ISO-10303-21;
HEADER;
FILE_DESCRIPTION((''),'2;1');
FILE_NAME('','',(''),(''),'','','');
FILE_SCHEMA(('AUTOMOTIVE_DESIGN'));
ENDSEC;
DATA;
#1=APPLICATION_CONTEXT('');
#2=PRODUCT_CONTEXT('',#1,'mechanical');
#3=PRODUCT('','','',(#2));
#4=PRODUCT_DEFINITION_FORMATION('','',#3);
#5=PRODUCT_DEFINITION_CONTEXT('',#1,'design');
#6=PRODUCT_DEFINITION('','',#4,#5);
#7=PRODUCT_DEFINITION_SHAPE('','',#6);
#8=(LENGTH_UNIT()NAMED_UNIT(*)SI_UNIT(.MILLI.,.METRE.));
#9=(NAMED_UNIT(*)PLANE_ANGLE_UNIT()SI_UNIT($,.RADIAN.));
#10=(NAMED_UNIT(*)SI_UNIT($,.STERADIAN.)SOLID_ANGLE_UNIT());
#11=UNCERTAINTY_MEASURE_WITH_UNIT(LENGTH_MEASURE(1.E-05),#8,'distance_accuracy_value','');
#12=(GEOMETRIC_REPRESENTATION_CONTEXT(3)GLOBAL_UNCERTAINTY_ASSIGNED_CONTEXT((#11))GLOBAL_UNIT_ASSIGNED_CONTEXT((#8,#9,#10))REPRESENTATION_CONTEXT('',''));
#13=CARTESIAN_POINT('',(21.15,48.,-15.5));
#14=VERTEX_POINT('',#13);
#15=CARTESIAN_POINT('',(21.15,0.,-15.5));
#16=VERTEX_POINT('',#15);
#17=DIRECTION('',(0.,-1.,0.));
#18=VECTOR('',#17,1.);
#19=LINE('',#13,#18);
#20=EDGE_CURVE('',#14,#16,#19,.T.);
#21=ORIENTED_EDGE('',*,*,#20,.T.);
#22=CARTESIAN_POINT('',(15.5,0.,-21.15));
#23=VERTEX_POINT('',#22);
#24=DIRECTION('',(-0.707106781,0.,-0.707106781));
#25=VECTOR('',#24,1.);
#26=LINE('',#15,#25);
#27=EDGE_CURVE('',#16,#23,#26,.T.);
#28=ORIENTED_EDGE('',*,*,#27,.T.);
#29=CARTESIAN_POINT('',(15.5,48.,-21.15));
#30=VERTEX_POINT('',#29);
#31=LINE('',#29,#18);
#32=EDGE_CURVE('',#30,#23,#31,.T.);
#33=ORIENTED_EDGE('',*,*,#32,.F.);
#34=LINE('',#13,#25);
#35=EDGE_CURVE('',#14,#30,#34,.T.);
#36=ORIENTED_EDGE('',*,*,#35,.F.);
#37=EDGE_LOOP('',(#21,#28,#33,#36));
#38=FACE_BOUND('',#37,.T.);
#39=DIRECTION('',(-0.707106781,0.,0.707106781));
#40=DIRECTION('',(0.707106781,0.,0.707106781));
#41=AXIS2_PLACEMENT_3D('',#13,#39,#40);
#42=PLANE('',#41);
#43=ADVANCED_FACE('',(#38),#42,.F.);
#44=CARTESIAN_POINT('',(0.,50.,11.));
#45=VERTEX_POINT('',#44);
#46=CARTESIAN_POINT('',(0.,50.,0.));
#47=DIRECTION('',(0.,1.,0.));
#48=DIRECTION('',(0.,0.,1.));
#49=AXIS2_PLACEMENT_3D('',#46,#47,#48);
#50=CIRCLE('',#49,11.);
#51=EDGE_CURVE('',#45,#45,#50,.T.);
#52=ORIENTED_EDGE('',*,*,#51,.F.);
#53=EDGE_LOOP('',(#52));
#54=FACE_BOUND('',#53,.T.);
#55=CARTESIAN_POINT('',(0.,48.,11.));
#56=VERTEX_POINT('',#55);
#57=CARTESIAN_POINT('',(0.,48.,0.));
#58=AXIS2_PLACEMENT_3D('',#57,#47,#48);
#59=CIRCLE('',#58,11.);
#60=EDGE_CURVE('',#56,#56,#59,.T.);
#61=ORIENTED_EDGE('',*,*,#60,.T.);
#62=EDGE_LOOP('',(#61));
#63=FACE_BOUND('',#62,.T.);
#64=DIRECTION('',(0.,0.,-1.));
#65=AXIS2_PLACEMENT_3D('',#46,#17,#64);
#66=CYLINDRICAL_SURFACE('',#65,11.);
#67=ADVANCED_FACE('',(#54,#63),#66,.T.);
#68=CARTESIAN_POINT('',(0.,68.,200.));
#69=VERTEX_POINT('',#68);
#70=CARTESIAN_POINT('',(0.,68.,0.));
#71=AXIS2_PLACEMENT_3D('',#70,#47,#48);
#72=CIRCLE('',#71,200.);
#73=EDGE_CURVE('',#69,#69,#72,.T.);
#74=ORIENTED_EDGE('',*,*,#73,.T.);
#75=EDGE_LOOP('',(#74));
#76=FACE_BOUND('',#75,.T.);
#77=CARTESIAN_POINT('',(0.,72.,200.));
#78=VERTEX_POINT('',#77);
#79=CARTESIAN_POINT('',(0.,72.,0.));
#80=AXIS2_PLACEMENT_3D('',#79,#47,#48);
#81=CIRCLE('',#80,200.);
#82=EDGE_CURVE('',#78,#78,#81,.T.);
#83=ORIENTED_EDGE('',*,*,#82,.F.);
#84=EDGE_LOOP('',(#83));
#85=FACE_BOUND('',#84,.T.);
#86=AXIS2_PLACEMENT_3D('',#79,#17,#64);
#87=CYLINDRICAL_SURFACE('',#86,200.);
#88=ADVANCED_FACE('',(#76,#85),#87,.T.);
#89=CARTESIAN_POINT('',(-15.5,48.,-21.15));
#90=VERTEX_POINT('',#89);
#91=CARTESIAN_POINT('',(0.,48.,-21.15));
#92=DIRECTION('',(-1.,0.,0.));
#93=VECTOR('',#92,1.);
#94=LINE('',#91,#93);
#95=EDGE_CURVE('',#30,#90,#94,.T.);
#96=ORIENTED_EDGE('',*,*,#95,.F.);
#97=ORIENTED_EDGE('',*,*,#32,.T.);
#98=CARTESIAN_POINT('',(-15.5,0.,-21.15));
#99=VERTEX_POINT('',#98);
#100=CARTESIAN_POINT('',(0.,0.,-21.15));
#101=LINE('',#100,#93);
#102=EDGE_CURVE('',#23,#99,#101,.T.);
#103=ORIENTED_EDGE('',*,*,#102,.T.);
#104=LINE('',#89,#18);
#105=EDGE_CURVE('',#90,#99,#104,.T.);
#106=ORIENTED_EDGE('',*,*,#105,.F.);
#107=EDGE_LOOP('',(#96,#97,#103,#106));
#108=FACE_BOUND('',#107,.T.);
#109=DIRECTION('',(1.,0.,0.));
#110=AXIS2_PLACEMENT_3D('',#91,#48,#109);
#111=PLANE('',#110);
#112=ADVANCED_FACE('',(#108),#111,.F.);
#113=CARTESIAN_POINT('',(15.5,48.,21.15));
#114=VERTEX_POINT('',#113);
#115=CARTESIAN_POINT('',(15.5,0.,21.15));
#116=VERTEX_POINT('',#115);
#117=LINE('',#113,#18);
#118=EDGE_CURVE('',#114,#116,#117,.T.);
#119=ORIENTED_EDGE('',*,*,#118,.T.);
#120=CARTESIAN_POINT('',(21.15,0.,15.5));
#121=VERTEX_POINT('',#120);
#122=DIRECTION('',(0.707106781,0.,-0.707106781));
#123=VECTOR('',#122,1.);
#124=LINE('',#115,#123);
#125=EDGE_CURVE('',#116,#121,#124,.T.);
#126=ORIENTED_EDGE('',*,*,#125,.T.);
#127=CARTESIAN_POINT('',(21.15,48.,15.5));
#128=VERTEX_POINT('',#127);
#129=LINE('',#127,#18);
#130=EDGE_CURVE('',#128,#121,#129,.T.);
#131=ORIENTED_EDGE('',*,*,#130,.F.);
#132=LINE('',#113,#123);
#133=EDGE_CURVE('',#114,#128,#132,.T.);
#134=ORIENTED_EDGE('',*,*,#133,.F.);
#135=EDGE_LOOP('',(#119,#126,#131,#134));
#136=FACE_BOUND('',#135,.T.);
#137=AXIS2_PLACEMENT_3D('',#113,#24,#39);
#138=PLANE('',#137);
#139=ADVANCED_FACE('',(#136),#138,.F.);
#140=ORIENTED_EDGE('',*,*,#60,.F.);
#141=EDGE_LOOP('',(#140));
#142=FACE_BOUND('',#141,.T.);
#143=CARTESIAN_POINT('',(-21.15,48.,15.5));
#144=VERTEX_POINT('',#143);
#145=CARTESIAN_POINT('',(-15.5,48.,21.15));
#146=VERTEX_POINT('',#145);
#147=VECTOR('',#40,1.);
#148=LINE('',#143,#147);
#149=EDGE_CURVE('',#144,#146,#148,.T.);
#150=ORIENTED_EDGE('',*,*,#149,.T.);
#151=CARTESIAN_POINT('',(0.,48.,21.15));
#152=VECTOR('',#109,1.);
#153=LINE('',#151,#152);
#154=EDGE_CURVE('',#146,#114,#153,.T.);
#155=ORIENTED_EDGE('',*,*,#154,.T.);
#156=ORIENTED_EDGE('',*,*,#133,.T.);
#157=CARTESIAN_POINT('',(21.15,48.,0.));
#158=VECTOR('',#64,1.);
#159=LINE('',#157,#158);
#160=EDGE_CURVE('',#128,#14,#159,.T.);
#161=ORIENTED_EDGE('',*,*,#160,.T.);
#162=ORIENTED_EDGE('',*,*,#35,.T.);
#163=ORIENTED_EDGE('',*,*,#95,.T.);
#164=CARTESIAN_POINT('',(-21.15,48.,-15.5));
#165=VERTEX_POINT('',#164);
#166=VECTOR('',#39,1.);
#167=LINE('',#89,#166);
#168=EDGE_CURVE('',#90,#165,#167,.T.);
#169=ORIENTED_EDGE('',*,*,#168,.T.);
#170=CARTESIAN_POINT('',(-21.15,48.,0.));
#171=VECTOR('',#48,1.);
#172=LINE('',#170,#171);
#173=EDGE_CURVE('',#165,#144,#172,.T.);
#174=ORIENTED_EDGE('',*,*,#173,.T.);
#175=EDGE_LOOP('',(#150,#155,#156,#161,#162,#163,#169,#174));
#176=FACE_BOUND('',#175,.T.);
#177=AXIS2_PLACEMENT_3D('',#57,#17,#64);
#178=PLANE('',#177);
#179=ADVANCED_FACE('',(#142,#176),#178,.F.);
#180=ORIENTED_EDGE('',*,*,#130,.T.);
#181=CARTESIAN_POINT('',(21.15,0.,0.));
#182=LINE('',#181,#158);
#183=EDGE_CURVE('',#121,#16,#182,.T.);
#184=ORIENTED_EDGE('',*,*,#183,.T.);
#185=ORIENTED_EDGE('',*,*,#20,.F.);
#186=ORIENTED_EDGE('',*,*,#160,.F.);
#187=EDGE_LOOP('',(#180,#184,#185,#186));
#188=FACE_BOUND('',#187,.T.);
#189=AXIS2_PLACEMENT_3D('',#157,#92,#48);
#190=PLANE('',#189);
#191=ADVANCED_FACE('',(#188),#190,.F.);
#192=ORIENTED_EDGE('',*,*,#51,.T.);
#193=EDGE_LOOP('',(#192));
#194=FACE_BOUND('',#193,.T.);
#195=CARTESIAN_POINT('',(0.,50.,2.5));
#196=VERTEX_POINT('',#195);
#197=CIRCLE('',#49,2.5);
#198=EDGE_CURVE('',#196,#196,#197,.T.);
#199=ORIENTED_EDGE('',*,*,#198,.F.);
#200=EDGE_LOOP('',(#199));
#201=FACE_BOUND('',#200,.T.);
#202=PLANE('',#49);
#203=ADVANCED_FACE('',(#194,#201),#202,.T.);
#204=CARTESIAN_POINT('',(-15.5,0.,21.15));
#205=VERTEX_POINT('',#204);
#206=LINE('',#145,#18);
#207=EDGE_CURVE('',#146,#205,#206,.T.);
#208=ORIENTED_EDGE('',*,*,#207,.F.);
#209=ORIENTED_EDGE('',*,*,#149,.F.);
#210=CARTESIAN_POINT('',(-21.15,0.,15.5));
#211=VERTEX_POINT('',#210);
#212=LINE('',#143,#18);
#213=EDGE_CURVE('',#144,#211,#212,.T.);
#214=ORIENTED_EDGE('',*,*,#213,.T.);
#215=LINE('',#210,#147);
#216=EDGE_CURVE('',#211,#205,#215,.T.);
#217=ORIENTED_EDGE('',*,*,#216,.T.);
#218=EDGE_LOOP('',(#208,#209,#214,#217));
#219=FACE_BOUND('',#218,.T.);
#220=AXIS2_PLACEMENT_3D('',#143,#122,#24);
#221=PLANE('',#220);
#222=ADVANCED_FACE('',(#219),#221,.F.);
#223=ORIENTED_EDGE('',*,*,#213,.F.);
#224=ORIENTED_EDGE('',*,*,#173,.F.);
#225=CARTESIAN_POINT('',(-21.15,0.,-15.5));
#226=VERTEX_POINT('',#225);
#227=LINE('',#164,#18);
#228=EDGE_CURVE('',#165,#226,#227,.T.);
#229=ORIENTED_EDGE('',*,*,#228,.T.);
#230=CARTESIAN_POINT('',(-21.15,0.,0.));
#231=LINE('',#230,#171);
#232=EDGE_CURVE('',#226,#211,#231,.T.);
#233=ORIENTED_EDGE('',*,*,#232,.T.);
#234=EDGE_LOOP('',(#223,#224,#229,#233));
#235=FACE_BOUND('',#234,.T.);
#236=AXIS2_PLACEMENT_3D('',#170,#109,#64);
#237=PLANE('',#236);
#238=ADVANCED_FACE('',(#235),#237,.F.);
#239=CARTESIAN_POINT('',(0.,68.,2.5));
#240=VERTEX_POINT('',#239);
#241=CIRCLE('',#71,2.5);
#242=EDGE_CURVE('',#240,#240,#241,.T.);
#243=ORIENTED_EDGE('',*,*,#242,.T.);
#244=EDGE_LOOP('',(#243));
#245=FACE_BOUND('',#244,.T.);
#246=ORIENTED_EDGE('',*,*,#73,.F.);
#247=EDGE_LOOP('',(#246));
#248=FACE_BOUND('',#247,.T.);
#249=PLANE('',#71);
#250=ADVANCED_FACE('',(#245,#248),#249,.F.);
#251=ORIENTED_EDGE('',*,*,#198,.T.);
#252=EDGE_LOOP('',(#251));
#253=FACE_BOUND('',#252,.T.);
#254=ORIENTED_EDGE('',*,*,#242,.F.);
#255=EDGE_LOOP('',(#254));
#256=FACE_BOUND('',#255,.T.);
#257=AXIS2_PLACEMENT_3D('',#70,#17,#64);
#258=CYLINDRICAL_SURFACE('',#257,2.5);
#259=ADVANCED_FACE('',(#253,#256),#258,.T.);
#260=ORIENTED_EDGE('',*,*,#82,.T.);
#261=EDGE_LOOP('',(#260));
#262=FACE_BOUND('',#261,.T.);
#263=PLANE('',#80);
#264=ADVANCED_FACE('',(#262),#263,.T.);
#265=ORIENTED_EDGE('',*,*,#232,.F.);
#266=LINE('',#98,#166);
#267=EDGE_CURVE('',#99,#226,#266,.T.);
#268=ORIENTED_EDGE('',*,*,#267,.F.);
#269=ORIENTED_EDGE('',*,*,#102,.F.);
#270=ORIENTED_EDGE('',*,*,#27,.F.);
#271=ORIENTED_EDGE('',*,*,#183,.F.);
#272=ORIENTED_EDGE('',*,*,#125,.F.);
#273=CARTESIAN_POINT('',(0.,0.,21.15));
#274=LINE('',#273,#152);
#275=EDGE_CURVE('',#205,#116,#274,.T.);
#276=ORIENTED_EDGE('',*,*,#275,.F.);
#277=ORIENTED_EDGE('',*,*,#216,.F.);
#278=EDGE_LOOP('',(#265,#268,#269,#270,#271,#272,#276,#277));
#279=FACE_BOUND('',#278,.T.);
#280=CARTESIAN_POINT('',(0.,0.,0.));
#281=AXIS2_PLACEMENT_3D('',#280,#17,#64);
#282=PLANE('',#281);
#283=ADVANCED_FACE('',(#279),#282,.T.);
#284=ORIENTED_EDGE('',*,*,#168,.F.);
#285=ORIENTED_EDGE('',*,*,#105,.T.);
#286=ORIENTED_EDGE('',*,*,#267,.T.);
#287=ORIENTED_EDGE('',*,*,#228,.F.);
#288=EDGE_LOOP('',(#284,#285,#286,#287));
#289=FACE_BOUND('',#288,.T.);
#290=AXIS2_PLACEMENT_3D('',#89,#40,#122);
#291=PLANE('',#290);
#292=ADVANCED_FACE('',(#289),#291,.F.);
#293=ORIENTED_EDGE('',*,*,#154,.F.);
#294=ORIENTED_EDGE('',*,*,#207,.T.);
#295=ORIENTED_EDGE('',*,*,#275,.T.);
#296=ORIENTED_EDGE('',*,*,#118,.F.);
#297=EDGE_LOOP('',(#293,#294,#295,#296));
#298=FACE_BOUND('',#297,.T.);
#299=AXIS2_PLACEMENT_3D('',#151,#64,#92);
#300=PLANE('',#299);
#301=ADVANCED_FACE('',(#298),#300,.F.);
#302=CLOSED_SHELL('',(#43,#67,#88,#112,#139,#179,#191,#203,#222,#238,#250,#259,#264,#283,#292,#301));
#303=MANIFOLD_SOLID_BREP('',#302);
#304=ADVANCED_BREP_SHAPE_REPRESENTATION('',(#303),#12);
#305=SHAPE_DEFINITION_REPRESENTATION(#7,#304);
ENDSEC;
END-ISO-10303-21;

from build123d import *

# Parameters (mm, degrees)
EXTRUDE_2_DEPTH = 48
SKETCH_4_R      = 11
EXTRUDE_3_DEPTH = 2
SKETCH_5_R      = 2.5
EXTRUDE_4_DEPTH = 18
SKETCH_6_R      = 200
EXTRUDE_5_DEPTH = 4


with BuildPart() as part:
    # 草圖3 → 填料-伸長2 (new body)
    with BuildSketch(Plane(origin=(0, 0, 0), x_dir=(1, 0, 0), z_dir=(0, 1, 0))):
        Polygon((-21.15, 0), (-21.15, 15.5), (-15.5, 21.15), (0, 21.15), (15.5, 21.15), (21.15, 15.5), (21.15, 0), (21.15, -15.5), (15.5, -21.15), (0, -21.15), (-15.5, -21.15), (-21.15, -15.5), align=None)
    extrude(amount=EXTRUDE_2_DEPTH)

    # 草圖4 → 填料-伸長3 (add)
    with BuildSketch(Plane(origin=(0, 48, 0), x_dir=(1, 0, 0), z_dir=(0, 1, 0))):
        with Locations(Location((0, 0, 0), (0, 0, 270))):
            Circle(SKETCH_4_R)
    extrude(amount=EXTRUDE_3_DEPTH)

    # 草圖5 → 填料-伸長4 (add)
    with BuildSketch(Plane(origin=(0, 50, 0), x_dir=(1, 0, 0), z_dir=(0, 1, 0))):
        with Locations(Location((0, 0, 0), (0, 0, 270))):
            Circle(SKETCH_5_R)
    extrude(amount=EXTRUDE_4_DEPTH)

    # 草圖6 → 填料-伸長5 (add)
    with BuildSketch(Plane(origin=(0, 68, 0), x_dir=(1, 0, 0), z_dir=(0, 1, 0))):
        with Locations(Location((0, 0, 0), (0, 0, 270))):
            Circle(SKETCH_6_R)
    extrude(amount=EXTRUDE_5_DEPTH)


solid = part.part
